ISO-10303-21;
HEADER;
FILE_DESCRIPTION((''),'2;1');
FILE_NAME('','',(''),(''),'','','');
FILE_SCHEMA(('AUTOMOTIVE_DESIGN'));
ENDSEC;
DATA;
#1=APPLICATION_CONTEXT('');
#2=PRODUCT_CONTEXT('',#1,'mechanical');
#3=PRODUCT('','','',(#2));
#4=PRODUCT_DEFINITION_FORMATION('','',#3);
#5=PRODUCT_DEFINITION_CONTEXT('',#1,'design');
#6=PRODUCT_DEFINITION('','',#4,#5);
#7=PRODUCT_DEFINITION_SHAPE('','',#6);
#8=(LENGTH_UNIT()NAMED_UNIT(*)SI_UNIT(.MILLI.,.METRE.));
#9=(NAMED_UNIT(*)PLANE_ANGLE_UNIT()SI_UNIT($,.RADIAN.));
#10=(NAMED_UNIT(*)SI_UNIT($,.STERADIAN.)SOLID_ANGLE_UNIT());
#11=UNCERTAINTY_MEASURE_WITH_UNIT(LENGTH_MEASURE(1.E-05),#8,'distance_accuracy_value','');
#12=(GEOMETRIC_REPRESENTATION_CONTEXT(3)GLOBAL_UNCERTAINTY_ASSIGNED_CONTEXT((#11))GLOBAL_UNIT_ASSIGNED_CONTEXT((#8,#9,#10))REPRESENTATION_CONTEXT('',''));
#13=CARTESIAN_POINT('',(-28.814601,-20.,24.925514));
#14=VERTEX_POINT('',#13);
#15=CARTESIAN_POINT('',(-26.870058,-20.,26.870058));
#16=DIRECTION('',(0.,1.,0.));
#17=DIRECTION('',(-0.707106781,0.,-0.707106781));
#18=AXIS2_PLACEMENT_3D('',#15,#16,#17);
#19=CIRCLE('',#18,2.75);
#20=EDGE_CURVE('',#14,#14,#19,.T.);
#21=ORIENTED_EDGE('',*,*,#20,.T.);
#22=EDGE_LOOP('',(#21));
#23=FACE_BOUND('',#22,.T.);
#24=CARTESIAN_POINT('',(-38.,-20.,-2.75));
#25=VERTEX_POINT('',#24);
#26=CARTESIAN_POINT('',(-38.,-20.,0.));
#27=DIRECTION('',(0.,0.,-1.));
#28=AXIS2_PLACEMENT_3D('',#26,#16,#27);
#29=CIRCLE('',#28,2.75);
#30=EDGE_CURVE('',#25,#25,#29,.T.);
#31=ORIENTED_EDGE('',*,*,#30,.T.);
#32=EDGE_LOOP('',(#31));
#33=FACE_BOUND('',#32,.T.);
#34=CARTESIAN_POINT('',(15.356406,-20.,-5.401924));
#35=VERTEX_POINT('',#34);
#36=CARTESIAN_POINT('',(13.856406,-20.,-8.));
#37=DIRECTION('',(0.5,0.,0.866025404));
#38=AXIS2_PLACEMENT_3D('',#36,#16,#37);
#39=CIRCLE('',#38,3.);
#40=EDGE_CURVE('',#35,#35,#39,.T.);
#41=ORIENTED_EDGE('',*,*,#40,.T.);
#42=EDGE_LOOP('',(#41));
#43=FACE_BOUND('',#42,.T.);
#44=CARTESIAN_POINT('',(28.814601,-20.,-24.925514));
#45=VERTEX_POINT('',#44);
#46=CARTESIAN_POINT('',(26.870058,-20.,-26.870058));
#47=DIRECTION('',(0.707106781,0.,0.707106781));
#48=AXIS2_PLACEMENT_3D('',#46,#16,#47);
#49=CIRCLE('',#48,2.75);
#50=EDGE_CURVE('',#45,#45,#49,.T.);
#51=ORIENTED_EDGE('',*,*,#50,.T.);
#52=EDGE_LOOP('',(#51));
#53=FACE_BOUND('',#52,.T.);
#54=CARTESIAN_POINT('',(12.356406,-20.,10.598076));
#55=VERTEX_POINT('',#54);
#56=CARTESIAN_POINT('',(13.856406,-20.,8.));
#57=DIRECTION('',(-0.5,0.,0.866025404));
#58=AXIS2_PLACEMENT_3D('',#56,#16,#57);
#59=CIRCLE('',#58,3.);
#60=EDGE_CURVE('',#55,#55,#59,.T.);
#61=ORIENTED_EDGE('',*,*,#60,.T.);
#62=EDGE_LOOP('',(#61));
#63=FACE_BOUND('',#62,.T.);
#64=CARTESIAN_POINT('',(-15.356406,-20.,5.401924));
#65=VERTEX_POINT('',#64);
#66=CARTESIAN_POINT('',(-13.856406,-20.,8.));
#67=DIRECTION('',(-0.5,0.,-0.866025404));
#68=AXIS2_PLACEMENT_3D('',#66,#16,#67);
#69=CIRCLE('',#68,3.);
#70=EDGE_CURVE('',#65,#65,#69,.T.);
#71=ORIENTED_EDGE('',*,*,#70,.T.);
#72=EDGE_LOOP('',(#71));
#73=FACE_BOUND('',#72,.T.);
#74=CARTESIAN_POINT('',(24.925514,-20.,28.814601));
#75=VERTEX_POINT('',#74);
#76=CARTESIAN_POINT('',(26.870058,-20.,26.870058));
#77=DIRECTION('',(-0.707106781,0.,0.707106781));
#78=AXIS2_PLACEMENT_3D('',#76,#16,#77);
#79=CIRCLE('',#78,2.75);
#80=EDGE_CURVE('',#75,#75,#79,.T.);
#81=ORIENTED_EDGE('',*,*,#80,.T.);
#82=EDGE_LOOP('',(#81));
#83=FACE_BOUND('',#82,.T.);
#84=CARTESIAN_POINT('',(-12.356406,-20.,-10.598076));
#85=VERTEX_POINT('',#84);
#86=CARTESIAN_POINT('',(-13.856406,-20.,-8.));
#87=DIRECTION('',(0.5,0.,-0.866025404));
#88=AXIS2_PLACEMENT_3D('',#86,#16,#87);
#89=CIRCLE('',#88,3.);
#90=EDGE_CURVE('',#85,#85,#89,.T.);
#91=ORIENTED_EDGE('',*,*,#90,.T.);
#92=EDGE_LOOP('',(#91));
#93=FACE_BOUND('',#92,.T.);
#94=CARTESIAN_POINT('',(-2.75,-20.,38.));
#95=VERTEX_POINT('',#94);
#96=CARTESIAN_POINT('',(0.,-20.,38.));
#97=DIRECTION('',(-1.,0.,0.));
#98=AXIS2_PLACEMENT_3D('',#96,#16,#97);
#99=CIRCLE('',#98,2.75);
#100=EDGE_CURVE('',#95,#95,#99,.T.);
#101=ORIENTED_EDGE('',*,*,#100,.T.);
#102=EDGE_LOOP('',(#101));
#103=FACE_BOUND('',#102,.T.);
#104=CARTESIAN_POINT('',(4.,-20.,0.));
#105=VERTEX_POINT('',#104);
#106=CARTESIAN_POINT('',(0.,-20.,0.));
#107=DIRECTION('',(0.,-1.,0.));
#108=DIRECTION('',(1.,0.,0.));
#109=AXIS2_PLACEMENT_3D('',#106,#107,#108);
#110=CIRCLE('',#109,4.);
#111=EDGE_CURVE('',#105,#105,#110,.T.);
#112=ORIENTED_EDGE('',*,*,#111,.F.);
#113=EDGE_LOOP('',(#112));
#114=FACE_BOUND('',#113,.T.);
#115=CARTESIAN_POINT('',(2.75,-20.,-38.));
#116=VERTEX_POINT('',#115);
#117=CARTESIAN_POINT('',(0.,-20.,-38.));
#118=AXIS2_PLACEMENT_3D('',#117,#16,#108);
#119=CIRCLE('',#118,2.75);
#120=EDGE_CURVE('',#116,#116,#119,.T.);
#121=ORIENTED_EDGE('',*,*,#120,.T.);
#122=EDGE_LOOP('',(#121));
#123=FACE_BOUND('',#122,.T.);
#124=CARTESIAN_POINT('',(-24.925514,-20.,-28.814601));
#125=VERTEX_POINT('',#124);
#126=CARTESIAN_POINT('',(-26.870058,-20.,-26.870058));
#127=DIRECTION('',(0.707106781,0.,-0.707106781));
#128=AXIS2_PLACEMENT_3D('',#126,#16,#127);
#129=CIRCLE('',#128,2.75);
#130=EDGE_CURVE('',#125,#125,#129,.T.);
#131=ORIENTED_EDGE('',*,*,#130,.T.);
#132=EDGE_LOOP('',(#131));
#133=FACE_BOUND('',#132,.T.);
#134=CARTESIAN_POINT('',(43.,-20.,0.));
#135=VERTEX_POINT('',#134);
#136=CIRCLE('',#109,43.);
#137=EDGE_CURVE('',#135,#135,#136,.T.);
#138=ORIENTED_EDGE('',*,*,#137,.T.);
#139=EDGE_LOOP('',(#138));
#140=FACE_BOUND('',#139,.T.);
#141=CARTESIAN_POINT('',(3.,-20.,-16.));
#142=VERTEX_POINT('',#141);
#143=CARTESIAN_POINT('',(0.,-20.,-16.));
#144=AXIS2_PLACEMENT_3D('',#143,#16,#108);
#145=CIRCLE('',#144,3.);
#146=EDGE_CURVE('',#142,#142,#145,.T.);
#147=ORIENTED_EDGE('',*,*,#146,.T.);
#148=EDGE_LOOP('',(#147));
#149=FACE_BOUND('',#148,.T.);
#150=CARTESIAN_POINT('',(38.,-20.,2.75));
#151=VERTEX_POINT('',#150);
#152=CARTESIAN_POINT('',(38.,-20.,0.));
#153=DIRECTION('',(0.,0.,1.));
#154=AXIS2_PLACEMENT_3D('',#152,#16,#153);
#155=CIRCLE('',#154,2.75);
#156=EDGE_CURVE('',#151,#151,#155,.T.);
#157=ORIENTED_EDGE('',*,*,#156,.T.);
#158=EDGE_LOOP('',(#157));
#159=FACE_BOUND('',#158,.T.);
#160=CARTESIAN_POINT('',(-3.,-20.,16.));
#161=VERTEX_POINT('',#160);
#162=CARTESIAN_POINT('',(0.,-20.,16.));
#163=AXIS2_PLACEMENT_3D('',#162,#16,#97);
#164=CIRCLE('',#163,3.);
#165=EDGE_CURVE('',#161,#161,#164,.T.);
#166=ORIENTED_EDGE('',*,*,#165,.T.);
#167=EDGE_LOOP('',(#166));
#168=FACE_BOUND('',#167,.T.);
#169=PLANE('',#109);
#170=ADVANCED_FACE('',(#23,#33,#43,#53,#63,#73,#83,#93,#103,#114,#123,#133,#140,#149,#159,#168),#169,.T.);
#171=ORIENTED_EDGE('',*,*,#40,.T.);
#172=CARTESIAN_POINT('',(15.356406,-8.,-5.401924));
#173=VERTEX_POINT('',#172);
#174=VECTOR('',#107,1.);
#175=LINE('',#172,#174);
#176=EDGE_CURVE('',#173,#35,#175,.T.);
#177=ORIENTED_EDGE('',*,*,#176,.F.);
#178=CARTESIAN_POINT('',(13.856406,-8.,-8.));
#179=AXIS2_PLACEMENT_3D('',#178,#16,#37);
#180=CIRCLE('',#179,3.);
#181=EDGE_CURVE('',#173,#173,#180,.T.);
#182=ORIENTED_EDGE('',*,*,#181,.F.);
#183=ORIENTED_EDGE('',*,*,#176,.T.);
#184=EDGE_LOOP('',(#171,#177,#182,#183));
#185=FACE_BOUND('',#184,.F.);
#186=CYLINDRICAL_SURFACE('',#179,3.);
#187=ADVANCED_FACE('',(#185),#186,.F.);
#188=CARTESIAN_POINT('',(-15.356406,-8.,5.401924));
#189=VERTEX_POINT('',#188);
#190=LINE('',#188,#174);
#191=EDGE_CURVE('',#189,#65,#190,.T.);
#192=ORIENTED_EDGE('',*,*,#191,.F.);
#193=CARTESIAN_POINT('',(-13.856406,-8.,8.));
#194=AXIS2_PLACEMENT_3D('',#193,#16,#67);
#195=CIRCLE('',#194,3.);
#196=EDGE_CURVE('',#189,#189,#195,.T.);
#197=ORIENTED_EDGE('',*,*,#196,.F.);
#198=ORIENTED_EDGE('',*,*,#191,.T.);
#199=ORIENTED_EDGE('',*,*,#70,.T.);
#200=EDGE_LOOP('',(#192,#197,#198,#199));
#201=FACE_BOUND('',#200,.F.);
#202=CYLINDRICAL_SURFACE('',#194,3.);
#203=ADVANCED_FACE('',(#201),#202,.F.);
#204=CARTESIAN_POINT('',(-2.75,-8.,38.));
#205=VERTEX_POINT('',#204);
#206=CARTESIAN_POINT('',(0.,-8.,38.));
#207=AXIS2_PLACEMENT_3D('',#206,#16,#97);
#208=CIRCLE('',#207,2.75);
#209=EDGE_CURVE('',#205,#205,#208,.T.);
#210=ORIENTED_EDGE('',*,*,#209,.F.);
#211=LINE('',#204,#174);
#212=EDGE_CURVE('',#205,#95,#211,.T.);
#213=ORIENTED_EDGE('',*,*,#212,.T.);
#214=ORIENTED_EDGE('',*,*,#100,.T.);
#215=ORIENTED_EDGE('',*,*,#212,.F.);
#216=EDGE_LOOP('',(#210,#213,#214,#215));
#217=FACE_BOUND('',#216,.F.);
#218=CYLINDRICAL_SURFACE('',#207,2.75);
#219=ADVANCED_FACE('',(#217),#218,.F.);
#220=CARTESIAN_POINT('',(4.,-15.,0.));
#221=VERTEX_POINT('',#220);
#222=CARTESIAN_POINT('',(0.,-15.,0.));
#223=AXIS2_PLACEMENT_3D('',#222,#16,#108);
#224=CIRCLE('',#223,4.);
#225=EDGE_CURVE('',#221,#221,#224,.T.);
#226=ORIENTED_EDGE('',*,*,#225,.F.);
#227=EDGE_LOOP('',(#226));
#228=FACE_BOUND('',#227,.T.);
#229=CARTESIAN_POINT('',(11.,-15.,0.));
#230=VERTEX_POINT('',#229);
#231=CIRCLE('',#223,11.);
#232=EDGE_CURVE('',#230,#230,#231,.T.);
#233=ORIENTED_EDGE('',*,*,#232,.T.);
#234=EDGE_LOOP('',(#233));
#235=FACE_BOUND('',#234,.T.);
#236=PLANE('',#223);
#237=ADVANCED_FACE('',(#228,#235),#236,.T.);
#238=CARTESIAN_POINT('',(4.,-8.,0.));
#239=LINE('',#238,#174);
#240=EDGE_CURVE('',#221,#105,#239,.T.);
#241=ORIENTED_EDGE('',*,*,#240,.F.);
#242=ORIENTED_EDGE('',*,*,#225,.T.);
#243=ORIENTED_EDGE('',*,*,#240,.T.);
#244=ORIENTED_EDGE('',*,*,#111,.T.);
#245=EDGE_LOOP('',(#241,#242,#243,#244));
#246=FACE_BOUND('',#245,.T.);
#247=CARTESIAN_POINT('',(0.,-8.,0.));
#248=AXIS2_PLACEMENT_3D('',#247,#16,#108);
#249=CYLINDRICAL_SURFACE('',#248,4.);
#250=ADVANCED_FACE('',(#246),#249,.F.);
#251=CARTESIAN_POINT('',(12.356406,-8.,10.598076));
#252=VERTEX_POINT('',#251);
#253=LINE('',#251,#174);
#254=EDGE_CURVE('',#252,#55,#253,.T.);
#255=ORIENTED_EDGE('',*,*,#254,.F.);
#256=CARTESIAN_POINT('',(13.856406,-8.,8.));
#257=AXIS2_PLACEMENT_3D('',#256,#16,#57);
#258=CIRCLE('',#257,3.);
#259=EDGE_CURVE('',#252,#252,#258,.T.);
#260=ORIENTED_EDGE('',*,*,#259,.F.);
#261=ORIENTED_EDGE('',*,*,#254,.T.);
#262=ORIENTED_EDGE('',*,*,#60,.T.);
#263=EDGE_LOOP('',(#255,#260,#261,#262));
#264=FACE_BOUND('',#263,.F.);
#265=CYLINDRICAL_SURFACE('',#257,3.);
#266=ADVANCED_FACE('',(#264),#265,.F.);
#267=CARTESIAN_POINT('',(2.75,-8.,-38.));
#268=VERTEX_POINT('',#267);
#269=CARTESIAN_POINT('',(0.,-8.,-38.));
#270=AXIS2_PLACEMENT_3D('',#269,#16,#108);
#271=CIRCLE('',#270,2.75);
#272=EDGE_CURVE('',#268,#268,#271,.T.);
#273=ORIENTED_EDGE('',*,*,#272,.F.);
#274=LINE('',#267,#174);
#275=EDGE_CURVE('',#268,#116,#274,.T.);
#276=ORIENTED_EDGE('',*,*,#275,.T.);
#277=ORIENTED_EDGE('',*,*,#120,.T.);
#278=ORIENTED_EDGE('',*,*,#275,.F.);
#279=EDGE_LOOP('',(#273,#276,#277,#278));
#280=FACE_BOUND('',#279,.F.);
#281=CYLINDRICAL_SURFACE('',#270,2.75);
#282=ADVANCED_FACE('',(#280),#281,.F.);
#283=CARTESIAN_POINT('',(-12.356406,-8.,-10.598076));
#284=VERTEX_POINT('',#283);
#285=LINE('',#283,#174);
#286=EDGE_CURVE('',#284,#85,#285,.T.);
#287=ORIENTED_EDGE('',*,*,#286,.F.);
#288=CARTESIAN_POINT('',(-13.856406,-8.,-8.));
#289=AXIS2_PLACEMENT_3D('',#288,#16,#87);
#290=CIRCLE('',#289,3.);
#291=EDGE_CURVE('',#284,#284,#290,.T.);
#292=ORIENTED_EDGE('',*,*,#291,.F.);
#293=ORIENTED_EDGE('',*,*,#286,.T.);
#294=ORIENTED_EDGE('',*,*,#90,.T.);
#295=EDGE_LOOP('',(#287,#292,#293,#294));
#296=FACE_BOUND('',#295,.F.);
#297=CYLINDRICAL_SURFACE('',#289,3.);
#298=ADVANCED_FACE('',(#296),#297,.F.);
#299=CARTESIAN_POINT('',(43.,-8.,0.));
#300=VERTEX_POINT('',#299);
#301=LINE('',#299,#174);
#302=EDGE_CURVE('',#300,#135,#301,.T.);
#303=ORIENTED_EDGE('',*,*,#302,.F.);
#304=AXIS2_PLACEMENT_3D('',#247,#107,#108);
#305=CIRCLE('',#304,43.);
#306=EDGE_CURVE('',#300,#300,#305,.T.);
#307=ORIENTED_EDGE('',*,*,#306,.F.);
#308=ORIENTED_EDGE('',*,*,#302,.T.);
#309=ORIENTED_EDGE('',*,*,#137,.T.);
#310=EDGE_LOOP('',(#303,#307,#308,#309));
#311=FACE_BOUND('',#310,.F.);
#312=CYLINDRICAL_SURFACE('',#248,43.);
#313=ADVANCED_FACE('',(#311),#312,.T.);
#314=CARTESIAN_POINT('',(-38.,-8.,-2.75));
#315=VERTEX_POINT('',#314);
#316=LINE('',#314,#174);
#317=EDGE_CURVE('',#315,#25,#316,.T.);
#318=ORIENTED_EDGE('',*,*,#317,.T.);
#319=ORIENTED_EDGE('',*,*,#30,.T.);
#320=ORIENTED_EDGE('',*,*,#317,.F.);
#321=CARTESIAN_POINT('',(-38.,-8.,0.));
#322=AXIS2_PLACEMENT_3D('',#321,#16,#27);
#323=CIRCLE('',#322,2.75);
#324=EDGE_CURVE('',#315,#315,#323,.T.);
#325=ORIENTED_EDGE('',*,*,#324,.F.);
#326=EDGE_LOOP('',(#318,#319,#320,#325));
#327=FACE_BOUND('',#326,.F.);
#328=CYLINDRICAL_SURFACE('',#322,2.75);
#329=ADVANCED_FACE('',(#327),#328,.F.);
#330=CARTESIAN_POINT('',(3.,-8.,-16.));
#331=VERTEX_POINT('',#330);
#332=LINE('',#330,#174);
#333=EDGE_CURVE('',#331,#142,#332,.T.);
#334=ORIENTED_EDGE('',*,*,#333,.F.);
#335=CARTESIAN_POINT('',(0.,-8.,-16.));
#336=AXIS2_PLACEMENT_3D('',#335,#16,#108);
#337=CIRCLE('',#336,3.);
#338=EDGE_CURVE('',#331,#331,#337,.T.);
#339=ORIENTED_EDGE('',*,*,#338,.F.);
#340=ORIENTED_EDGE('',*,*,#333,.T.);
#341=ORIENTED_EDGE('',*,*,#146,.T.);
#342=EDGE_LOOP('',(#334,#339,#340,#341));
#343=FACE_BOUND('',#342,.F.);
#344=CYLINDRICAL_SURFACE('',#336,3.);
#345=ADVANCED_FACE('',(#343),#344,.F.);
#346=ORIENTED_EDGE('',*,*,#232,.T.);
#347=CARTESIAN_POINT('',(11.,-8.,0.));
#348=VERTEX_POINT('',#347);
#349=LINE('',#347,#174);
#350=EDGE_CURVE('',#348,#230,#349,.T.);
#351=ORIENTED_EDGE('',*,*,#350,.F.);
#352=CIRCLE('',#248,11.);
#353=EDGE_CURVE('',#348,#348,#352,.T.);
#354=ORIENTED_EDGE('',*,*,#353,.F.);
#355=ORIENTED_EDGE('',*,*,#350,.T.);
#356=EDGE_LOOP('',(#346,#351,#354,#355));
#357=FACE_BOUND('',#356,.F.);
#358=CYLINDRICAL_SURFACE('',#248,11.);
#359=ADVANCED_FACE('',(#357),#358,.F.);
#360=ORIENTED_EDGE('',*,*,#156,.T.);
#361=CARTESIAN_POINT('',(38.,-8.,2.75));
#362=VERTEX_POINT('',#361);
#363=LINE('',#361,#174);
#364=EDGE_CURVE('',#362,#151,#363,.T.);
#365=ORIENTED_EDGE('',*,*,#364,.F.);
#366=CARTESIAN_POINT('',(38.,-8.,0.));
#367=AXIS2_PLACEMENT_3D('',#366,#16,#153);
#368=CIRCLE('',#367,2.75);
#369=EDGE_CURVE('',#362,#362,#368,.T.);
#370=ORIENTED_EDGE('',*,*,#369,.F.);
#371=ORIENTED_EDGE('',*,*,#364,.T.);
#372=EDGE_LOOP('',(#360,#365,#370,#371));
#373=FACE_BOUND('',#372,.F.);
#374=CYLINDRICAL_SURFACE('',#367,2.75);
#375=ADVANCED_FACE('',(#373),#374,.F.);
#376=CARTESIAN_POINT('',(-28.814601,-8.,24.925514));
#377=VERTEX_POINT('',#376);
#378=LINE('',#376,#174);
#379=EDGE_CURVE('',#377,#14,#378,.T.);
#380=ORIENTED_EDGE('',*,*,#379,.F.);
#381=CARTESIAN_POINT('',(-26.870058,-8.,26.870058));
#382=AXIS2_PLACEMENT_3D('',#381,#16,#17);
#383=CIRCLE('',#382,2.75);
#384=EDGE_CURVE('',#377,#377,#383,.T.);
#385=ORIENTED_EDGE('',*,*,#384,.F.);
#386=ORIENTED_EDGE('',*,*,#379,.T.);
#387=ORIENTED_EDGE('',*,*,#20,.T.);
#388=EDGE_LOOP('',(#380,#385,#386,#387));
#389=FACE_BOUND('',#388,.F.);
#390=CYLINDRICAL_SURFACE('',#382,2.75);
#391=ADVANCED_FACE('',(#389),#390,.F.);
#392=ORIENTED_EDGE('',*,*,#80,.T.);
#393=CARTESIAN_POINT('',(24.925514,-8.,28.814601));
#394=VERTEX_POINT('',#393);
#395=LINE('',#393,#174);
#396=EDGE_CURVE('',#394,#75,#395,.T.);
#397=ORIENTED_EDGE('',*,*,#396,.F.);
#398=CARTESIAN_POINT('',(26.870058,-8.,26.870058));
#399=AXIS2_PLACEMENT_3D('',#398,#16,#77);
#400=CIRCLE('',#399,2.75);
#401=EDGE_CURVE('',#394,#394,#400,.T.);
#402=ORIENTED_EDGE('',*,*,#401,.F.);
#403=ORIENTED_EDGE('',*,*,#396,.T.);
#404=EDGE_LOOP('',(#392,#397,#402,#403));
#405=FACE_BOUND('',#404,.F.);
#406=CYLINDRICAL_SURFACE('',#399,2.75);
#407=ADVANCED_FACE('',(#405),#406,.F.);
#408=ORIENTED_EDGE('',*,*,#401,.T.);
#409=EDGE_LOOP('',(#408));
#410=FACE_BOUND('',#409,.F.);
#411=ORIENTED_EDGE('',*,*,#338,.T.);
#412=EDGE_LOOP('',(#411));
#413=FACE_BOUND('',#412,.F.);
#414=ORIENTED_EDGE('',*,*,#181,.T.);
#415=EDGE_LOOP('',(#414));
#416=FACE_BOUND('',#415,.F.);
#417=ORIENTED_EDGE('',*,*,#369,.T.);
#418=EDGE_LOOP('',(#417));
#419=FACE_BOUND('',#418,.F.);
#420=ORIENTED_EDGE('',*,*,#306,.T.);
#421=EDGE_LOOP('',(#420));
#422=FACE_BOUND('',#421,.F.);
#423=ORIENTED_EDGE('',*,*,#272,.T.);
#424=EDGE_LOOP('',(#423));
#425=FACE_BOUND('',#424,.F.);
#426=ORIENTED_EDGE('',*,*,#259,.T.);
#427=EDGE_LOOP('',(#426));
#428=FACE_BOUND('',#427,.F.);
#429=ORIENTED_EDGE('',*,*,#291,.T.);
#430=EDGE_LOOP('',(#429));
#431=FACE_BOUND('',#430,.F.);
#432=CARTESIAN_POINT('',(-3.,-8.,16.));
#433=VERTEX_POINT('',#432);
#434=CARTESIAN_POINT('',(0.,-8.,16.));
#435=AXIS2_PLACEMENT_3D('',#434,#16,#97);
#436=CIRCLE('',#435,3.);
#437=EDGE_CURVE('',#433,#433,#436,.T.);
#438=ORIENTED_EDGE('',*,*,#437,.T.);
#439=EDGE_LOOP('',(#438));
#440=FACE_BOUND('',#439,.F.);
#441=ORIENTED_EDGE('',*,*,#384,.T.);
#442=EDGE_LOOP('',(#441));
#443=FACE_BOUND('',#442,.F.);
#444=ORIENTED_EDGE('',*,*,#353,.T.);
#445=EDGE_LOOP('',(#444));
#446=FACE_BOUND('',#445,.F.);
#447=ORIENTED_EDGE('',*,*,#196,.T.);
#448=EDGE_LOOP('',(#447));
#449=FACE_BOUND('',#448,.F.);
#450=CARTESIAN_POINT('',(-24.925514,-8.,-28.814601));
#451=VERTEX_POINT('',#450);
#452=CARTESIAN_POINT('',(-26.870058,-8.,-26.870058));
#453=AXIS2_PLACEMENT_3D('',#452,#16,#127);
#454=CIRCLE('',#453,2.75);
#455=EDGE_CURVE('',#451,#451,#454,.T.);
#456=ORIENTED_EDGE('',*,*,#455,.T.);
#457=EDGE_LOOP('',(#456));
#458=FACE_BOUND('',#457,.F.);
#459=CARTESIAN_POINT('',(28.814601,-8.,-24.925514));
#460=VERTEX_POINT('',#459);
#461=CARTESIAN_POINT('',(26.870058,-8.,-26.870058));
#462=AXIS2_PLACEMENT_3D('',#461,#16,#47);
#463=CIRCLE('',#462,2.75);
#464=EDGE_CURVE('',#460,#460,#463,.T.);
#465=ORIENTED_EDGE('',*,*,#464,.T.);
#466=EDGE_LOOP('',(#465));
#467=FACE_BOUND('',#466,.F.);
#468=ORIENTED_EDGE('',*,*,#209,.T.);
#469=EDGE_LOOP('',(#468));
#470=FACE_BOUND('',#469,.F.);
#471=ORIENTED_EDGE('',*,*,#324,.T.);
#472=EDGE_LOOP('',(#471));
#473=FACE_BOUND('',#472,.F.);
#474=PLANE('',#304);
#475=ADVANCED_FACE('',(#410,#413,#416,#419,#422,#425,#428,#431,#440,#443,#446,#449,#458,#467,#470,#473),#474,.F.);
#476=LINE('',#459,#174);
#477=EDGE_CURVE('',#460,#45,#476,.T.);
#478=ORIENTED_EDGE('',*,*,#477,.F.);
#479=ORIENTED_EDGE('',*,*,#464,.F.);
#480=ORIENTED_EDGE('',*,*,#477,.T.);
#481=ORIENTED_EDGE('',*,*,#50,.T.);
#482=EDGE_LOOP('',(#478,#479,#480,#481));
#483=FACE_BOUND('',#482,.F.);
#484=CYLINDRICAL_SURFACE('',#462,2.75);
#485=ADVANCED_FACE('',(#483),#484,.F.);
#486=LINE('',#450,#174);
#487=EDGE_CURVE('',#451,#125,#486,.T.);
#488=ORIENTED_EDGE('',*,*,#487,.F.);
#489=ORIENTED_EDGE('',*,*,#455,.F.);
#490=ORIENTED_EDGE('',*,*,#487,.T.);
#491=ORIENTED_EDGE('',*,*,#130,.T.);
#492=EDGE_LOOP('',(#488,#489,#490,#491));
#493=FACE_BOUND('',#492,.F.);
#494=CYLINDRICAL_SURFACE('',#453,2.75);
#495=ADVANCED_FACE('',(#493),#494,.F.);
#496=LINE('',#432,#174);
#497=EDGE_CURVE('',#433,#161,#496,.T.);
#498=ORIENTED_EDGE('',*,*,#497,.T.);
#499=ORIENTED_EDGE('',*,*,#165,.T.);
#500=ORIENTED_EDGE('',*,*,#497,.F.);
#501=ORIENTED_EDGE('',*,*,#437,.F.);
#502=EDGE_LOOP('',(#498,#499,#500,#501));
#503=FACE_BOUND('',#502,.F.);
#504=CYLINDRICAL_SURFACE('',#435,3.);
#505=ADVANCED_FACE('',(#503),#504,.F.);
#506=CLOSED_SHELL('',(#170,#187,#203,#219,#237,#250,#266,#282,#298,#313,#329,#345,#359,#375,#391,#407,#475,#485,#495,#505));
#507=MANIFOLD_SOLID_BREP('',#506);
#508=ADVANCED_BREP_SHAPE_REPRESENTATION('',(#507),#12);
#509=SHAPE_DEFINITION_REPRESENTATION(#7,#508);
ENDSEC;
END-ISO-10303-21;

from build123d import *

# Parameters (mm, degrees)
SKETCH008_R           = 43
SKETCH008_R_2         = 4
PAD002_DEPTH          = 12
SKETCH009_R           = 11
POCKET002_DEPTH       = 7
SKETCH010_R           = 3
POCKET003_DEPTH       = 256.426858
POLARPATTERN001_COUNT = 6
SKETCH011_R           = 2.75
POCKET004_DEPTH       = 256.426858
POLARPATTERN002_COUNT = 8


with BuildPart() as part:
    # Sketch008 (on Face1 of ShapeBinder003) → Pad002 (new body)
    with BuildSketch(Plane.XZ.offset(8)):
        Circle(SKETCH008_R)
        Circle(SKETCH008_R_2, mode=Mode.SUBTRACT)
    extrude(amount=PAD002_DEPTH)

    # Sketch009 (on Face3 of Pad002) → Pocket002 (cut)
    with BuildSketch(Plane(origin=(0, -8, 0), x_dir=(1, 0, 0), z_dir=(0, 1, 0))):
        Circle(SKETCH009_R)
    extrude(amount=-POCKET002_DEPTH, mode=Mode.SUBTRACT)

    # Sketch010 (on Face2 of Pocket002) → Pocket003 (cut, through all)
    with BuildSketch(Plane(origin=(0, -8, 0), x_dir=(1, 0, 0), z_dir=(0, 1, 0))):
        with Locations((0, 16)):
            Circle(SKETCH010_R)
    pocket003 = extrude(amount=-POCKET003_DEPTH, mode=Mode.SUBTRACT)

    # PolarPattern001: Pocket003 ×6 about axis
    polarpattern001_axis = Axis((0, -8, 0), (0, 1, 0))
    for i in range(1, POLARPATTERN001_COUNT):
        add(pocket003.rotate(polarpattern001_axis, i * 360 / POLARPATTERN001_COUNT), mode=Mode.SUBTRACT)

    # Sketch011 (on Face2 of PolarPattern001) → Pocket004 (cut, through all)
    with BuildSketch(Plane(origin=(0, -8, 0), x_dir=(1, 0, 0), z_dir=(0, 1, 0))):
        with Locations((0, 38)):
            Circle(SKETCH011_R)
    pocket004 = extrude(amount=-POCKET004_DEPTH, mode=Mode.SUBTRACT)

    # PolarPattern002: Pocket004 ×8 about axis
    polarpattern002_axis = Axis((0, -8, 0), (0, 1, 0))
    for i in range(1, POLARPATTERN002_COUNT):
        add(pocket004.rotate(polarpattern002_axis, i * 360 / POLARPATTERN002_COUNT), mode=Mode.SUBTRACT)


solid = part.part
